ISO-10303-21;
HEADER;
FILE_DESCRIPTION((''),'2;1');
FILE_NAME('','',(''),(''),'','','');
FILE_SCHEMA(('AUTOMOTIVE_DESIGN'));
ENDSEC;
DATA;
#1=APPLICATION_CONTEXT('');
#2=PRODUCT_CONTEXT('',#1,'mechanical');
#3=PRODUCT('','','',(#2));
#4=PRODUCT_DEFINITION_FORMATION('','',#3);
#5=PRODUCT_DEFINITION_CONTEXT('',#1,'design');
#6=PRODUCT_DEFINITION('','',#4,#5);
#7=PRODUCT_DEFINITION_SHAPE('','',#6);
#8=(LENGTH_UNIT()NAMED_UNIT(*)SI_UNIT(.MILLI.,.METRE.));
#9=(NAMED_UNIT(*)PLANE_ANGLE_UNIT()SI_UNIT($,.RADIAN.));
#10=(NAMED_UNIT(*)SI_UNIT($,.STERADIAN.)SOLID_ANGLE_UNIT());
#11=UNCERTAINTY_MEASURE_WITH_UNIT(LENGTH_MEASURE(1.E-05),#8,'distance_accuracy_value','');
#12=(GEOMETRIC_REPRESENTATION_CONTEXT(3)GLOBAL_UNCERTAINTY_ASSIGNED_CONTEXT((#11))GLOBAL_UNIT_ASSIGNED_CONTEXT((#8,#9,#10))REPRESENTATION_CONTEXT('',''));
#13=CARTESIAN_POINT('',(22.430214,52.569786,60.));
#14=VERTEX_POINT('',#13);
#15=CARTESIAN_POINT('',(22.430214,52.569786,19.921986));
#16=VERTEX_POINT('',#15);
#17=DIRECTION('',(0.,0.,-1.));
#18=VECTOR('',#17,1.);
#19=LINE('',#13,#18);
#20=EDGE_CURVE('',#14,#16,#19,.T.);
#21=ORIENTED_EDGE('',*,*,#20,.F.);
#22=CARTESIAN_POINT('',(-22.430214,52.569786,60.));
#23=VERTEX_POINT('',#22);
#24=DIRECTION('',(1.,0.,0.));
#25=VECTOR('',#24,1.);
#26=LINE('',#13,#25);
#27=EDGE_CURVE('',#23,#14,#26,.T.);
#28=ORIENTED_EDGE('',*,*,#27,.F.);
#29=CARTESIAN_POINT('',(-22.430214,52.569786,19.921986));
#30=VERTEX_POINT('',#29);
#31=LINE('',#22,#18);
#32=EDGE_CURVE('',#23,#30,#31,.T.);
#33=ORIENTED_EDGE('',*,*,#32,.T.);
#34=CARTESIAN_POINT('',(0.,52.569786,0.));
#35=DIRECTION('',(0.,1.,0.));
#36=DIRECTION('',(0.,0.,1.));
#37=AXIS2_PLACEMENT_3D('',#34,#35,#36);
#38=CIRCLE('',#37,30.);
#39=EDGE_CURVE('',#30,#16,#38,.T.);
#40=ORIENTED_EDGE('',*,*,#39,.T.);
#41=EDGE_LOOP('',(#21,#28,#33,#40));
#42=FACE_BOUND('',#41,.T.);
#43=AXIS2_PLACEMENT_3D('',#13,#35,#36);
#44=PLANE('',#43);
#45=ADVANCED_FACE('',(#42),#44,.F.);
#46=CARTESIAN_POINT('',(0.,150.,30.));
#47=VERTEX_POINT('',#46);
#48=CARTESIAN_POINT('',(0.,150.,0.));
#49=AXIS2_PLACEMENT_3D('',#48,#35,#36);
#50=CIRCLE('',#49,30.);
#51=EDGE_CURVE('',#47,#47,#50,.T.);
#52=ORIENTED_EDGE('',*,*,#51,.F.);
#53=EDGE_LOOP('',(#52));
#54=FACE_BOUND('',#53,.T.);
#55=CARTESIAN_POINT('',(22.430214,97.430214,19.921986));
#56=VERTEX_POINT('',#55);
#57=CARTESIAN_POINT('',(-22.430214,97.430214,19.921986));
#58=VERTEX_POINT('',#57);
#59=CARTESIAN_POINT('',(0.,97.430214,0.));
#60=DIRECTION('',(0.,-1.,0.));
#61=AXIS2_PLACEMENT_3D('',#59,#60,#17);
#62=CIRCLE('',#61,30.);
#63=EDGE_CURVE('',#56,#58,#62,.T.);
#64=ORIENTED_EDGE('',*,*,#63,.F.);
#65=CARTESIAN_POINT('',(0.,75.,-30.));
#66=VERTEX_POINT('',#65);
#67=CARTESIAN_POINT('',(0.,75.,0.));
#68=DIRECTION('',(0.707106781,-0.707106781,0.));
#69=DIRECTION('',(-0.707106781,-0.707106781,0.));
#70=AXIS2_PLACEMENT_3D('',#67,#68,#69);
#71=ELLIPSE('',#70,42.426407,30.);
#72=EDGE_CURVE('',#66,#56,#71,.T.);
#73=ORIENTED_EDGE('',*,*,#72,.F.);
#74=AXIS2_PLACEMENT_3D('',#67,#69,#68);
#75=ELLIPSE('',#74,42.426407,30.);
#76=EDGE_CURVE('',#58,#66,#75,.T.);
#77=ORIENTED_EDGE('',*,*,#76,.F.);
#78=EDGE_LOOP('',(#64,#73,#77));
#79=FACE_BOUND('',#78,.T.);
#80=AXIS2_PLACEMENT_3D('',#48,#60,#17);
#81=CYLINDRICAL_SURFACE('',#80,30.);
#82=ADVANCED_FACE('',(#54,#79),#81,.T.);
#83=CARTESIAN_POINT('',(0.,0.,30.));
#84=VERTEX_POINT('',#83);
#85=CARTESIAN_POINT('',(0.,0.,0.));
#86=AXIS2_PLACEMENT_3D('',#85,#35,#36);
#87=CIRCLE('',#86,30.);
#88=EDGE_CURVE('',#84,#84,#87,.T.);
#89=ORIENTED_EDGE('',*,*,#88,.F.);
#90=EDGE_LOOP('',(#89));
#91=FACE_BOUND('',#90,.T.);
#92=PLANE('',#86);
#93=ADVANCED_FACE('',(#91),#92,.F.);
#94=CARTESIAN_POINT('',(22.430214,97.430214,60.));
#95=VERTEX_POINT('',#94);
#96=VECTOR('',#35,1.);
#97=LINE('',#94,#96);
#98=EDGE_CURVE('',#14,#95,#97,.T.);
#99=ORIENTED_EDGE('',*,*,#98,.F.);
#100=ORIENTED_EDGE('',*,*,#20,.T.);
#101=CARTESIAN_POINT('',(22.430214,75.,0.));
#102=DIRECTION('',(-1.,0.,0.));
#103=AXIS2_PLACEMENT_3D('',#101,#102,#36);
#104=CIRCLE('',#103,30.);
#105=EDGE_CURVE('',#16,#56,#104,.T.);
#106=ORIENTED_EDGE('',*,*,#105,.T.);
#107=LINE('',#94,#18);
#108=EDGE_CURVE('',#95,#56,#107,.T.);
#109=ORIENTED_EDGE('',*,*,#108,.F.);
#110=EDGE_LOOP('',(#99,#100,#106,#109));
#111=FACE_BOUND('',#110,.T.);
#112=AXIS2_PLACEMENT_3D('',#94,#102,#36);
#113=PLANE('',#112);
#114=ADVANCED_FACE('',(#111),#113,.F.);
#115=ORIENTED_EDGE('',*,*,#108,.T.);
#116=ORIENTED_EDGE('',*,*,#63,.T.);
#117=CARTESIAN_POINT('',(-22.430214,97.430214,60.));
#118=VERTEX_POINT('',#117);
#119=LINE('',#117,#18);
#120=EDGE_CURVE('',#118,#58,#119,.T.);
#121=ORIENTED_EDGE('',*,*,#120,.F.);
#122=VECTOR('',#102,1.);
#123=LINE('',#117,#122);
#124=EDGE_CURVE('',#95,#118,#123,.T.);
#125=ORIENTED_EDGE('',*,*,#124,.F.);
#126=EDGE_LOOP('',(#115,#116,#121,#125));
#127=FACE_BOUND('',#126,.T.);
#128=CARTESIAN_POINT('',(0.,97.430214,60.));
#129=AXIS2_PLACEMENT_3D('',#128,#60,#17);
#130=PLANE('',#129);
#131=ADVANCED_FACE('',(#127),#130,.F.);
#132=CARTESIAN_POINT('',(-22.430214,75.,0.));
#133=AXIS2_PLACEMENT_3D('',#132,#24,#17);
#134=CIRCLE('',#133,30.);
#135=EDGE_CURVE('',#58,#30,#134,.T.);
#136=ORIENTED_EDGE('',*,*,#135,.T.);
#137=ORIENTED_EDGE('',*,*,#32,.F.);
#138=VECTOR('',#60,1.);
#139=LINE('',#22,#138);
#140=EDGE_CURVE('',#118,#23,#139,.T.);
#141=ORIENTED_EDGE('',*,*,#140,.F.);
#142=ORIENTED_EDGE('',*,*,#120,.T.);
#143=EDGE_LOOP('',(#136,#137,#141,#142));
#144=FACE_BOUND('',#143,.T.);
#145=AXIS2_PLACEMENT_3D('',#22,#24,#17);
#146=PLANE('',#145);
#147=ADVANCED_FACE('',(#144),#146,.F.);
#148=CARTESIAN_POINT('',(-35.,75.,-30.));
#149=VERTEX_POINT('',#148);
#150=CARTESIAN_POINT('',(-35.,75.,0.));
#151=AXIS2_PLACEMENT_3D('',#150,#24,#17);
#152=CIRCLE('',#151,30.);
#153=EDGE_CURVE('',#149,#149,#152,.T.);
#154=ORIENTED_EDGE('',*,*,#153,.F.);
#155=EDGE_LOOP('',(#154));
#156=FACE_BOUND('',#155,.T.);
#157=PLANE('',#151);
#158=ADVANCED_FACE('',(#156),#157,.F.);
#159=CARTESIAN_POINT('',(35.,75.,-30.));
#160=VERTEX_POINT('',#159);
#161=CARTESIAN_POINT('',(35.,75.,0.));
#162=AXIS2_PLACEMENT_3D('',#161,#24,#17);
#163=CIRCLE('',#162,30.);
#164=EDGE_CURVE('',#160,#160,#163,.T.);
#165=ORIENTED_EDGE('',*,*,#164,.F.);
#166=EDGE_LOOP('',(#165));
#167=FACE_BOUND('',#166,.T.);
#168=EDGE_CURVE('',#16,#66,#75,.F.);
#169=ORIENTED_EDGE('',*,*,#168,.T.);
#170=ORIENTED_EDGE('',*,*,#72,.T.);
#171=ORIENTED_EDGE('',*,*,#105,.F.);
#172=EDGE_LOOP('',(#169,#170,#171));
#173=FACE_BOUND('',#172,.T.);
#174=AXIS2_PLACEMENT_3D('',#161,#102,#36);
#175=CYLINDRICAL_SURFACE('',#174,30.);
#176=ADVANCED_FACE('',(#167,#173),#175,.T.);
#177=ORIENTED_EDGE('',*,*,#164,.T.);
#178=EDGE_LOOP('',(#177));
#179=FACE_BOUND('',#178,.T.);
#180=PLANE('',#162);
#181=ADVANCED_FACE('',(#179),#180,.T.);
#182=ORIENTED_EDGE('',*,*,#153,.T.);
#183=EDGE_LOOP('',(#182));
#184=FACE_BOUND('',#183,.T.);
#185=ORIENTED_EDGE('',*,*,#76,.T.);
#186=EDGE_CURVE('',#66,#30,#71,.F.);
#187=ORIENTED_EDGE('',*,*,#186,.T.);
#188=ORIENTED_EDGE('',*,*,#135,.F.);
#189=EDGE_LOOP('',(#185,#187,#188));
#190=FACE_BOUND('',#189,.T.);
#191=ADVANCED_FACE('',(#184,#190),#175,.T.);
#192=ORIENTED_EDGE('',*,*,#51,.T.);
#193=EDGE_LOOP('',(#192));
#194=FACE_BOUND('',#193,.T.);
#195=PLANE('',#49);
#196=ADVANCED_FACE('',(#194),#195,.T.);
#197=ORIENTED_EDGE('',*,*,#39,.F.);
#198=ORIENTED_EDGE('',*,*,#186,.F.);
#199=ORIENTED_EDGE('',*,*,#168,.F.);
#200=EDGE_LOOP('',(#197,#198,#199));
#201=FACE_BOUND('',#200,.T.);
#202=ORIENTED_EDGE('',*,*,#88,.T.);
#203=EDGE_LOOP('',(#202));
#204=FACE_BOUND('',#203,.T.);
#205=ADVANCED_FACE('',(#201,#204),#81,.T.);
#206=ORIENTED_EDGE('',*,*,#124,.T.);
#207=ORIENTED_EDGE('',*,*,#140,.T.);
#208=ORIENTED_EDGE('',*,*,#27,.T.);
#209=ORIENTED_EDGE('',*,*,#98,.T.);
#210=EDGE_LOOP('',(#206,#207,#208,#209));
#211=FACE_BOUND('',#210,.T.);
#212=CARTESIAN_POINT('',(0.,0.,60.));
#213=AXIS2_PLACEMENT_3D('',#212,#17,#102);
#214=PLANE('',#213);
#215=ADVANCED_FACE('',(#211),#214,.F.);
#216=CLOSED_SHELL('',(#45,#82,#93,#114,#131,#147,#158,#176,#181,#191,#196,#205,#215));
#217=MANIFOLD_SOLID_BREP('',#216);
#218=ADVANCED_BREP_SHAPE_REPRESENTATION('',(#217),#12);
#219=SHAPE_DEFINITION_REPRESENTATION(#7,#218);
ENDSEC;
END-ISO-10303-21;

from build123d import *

# Parameters (mm, degrees)
SKETCH1_R           = 30
BOSS_EXTRUDE1_DEPTH = 150
SKETCH3_R           = 30
BOSS_EXTRUDE2_DEPTH = 35
BOSS_EXTRUDE3_DEPTH = 60


with BuildPart() as part:
    # Sketch1 → Boss-Extrude1 (new body)
    with BuildSketch(Plane(origin=(0, 0, 0), x_dir=(1, 0, 0), z_dir=(0, 1, 0))):
        Circle(SKETCH1_R)
    extrude(amount=BOSS_EXTRUDE1_DEPTH)

    # Sketch3 → Boss-Extrude2 (add, symmetric)
    with BuildSketch(Plane(origin=(0, 0, 0), x_dir=(0, 0, -1), z_dir=(1, 0, 0))):
        with Locations((0, 75)):
            Circle(SKETCH3_R)
    extrude(amount=BOSS_EXTRUDE2_DEPTH, both=True)

    # Sketch4 → Boss-Extrude3 (add)
    with BuildSketch(Plane.XY):
        Polygon((0, 97.430213505), (22.430213505, 97.430213505), (22.430213505, 52.569786495), (-22.430213505, 52.569786495), (-22.430213505, 97.430213505), align=None)
    extrude(amount=BOSS_EXTRUDE3_DEPTH)


solid = part.part
